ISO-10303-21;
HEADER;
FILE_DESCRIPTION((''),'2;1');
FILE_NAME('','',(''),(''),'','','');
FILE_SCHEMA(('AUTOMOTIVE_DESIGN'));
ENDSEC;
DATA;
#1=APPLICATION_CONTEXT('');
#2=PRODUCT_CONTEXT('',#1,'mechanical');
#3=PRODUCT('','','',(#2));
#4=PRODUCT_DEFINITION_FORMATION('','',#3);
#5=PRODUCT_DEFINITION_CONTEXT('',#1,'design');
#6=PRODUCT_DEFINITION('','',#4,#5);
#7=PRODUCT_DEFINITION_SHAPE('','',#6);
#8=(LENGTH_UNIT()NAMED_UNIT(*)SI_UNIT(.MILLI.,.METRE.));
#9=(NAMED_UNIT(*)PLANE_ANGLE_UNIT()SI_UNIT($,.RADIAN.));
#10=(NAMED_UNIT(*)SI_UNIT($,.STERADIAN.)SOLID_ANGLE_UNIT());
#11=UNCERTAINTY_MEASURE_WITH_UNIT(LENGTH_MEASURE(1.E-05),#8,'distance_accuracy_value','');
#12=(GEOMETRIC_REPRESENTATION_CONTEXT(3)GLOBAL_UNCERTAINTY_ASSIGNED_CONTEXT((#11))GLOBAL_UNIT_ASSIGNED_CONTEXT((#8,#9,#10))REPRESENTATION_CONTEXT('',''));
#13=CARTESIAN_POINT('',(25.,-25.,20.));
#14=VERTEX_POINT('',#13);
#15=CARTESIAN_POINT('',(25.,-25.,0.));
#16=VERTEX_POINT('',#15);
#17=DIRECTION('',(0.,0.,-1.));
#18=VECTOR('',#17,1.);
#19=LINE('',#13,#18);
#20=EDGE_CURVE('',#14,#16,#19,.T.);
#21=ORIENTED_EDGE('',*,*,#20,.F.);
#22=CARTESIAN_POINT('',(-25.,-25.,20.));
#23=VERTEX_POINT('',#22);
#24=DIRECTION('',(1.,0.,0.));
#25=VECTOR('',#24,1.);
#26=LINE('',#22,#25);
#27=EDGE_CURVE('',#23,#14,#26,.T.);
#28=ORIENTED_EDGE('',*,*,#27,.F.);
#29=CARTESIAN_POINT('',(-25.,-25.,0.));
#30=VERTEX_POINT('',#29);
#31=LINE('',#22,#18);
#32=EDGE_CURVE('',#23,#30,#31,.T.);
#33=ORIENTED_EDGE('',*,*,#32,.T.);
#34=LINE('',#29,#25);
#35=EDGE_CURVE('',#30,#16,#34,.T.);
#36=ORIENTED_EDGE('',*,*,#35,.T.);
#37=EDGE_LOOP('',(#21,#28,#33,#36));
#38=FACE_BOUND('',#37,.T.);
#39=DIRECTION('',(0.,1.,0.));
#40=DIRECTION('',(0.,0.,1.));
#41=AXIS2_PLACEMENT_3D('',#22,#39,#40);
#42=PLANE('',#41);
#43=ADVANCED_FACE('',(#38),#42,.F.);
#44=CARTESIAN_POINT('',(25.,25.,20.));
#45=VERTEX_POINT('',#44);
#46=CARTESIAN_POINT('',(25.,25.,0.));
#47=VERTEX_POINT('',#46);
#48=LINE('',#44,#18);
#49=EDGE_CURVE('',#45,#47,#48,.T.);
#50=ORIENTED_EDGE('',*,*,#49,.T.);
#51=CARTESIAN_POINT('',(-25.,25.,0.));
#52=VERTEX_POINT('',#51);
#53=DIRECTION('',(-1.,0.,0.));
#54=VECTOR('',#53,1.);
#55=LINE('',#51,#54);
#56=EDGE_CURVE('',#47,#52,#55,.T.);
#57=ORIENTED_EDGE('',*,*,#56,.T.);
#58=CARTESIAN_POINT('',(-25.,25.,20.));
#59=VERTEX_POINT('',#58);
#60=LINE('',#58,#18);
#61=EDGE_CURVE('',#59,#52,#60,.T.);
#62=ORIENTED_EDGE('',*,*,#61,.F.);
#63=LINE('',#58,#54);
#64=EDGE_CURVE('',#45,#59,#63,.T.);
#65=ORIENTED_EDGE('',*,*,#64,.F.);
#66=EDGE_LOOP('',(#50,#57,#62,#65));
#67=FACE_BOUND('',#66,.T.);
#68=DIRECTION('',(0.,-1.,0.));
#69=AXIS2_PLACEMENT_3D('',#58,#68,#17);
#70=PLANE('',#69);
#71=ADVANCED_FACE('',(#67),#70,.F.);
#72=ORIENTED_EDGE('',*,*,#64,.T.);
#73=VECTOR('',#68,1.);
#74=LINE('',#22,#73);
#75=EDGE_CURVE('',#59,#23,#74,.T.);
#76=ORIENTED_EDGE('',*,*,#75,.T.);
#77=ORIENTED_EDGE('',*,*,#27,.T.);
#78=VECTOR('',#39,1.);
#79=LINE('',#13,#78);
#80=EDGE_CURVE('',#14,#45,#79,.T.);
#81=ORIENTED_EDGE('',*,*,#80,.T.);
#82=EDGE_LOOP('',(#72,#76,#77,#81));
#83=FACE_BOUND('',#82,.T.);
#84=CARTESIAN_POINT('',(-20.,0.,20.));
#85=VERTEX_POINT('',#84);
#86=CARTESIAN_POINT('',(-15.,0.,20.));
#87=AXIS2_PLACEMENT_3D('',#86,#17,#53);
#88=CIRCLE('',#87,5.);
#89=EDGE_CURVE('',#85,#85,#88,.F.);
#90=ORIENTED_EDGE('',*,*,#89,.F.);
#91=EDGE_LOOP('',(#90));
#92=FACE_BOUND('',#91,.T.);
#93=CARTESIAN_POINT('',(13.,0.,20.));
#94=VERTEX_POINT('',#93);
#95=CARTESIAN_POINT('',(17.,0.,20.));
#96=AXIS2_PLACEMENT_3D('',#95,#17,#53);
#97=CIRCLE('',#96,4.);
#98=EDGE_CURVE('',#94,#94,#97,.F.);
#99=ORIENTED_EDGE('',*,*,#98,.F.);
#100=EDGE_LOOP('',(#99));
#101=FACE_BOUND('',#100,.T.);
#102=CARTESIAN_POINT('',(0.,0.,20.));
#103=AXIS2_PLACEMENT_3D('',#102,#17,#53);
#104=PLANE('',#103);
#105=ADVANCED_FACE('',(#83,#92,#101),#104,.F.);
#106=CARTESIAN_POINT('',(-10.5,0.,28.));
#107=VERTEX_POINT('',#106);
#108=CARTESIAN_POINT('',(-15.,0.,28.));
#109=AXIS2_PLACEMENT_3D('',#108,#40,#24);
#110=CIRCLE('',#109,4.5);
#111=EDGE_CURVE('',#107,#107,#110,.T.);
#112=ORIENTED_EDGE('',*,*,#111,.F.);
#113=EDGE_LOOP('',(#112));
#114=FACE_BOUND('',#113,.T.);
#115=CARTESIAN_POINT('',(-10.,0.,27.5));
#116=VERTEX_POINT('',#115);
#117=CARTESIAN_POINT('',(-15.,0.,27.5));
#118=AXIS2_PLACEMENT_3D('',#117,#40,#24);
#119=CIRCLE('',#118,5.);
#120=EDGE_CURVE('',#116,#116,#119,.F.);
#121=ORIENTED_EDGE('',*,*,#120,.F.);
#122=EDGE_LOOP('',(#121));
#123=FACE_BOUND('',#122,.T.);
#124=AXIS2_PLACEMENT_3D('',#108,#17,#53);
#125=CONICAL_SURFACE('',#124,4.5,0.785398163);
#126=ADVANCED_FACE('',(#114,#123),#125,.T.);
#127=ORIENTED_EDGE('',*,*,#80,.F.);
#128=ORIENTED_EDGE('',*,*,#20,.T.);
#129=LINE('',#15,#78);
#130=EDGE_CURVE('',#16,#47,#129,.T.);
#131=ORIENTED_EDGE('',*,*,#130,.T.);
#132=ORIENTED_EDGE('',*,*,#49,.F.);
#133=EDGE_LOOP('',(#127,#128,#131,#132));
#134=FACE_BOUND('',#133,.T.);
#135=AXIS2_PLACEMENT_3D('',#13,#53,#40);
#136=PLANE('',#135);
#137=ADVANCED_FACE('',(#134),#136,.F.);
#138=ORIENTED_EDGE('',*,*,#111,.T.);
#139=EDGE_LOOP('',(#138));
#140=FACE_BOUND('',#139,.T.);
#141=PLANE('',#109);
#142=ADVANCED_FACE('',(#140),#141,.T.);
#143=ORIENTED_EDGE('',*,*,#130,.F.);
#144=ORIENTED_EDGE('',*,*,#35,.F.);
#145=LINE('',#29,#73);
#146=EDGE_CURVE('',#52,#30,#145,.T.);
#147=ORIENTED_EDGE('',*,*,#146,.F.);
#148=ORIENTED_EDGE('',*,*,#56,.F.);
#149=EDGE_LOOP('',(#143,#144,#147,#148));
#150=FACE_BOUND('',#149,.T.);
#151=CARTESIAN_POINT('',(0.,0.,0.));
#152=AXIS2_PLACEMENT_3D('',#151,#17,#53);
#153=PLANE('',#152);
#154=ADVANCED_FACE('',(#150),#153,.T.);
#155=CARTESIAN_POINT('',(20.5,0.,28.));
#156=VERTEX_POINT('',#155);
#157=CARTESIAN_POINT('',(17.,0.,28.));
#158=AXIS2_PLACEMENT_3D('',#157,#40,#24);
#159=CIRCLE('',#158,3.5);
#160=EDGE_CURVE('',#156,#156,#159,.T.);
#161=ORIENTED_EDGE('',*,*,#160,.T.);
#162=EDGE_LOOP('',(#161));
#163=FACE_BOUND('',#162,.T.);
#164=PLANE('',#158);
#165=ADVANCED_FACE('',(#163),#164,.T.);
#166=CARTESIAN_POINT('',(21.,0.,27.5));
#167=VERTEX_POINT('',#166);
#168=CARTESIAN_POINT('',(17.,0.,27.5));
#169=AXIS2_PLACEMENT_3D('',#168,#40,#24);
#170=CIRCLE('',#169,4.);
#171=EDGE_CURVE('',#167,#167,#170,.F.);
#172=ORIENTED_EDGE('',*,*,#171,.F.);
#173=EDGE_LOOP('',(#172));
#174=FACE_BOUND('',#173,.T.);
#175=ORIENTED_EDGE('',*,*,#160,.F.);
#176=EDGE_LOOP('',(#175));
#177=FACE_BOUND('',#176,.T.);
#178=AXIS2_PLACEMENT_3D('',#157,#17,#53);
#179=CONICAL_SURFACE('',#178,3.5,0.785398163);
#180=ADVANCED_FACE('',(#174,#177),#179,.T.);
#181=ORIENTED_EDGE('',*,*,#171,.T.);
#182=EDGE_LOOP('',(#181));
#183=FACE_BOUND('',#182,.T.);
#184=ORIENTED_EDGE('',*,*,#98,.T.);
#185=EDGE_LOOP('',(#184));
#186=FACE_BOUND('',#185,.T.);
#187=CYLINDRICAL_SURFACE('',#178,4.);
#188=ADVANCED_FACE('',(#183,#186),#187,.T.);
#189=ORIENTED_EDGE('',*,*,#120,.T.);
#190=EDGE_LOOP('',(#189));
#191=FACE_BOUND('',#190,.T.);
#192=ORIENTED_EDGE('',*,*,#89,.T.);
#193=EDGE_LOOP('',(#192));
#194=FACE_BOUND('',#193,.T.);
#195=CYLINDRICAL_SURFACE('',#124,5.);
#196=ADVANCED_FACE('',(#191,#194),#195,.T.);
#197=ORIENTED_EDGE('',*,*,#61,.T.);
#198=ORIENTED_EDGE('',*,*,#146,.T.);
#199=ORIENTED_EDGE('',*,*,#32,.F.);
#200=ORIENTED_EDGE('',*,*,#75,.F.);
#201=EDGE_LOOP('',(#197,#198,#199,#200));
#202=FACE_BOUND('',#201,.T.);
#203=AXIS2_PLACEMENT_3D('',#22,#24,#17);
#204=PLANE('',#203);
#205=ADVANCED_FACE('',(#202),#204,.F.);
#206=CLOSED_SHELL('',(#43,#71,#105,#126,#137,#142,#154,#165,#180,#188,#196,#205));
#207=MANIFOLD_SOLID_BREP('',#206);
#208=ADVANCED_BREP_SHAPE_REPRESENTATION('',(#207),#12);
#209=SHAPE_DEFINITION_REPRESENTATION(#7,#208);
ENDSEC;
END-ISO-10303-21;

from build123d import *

# Parameters (mm, degrees)
SKETCH_3_W      = 50
SKETCH_3_H      = 50
EXTRUDE_3_DEPTH = 20
SKETCH_4_R      = 5
SKETCH_4_R_2    = 4
EXTRUDE_4_DEPTH = 8
CHAMFER_2_SIZE  = 0.5
CHAMFER_3_SIZE  = 0.5


with BuildPart() as part:
    # 草图3 → 凸台-拉伸3 (new body)
    with BuildSketch(Plane.XY):
        Rectangle(SKETCH_3_W, SKETCH_3_H)
    extrude(amount=EXTRUDE_3_DEPTH)

    # 草图4 → 凸台-拉伸4 (add)
    with BuildSketch(Plane.XY.offset(20)):
        with Locations(Location((-15, 0, 0), (0, 0, 180))):
            Circle(SKETCH_4_R)
        with Locations(Location((17, 0, 0), (0, 0, 180))):
            Circle(SKETCH_4_R_2)
    extrude(amount=EXTRUDE_4_DEPTH)

    # 倒角2
    chamfer_2_edges = [part.edges().sort_by_distance(p)[0] for p in [
        (-10, 0, 28),
    ]]
    chamfer(chamfer_2_edges, length=CHAMFER_2_SIZE)

    # 倒角3
    chamfer_3_edges = [part.edges().sort_by_distance(p)[0] for p in [
        (21, 0, 28),
    ]]
    chamfer(chamfer_3_edges, length=CHAMFER_3_SIZE)


solid = part.part
